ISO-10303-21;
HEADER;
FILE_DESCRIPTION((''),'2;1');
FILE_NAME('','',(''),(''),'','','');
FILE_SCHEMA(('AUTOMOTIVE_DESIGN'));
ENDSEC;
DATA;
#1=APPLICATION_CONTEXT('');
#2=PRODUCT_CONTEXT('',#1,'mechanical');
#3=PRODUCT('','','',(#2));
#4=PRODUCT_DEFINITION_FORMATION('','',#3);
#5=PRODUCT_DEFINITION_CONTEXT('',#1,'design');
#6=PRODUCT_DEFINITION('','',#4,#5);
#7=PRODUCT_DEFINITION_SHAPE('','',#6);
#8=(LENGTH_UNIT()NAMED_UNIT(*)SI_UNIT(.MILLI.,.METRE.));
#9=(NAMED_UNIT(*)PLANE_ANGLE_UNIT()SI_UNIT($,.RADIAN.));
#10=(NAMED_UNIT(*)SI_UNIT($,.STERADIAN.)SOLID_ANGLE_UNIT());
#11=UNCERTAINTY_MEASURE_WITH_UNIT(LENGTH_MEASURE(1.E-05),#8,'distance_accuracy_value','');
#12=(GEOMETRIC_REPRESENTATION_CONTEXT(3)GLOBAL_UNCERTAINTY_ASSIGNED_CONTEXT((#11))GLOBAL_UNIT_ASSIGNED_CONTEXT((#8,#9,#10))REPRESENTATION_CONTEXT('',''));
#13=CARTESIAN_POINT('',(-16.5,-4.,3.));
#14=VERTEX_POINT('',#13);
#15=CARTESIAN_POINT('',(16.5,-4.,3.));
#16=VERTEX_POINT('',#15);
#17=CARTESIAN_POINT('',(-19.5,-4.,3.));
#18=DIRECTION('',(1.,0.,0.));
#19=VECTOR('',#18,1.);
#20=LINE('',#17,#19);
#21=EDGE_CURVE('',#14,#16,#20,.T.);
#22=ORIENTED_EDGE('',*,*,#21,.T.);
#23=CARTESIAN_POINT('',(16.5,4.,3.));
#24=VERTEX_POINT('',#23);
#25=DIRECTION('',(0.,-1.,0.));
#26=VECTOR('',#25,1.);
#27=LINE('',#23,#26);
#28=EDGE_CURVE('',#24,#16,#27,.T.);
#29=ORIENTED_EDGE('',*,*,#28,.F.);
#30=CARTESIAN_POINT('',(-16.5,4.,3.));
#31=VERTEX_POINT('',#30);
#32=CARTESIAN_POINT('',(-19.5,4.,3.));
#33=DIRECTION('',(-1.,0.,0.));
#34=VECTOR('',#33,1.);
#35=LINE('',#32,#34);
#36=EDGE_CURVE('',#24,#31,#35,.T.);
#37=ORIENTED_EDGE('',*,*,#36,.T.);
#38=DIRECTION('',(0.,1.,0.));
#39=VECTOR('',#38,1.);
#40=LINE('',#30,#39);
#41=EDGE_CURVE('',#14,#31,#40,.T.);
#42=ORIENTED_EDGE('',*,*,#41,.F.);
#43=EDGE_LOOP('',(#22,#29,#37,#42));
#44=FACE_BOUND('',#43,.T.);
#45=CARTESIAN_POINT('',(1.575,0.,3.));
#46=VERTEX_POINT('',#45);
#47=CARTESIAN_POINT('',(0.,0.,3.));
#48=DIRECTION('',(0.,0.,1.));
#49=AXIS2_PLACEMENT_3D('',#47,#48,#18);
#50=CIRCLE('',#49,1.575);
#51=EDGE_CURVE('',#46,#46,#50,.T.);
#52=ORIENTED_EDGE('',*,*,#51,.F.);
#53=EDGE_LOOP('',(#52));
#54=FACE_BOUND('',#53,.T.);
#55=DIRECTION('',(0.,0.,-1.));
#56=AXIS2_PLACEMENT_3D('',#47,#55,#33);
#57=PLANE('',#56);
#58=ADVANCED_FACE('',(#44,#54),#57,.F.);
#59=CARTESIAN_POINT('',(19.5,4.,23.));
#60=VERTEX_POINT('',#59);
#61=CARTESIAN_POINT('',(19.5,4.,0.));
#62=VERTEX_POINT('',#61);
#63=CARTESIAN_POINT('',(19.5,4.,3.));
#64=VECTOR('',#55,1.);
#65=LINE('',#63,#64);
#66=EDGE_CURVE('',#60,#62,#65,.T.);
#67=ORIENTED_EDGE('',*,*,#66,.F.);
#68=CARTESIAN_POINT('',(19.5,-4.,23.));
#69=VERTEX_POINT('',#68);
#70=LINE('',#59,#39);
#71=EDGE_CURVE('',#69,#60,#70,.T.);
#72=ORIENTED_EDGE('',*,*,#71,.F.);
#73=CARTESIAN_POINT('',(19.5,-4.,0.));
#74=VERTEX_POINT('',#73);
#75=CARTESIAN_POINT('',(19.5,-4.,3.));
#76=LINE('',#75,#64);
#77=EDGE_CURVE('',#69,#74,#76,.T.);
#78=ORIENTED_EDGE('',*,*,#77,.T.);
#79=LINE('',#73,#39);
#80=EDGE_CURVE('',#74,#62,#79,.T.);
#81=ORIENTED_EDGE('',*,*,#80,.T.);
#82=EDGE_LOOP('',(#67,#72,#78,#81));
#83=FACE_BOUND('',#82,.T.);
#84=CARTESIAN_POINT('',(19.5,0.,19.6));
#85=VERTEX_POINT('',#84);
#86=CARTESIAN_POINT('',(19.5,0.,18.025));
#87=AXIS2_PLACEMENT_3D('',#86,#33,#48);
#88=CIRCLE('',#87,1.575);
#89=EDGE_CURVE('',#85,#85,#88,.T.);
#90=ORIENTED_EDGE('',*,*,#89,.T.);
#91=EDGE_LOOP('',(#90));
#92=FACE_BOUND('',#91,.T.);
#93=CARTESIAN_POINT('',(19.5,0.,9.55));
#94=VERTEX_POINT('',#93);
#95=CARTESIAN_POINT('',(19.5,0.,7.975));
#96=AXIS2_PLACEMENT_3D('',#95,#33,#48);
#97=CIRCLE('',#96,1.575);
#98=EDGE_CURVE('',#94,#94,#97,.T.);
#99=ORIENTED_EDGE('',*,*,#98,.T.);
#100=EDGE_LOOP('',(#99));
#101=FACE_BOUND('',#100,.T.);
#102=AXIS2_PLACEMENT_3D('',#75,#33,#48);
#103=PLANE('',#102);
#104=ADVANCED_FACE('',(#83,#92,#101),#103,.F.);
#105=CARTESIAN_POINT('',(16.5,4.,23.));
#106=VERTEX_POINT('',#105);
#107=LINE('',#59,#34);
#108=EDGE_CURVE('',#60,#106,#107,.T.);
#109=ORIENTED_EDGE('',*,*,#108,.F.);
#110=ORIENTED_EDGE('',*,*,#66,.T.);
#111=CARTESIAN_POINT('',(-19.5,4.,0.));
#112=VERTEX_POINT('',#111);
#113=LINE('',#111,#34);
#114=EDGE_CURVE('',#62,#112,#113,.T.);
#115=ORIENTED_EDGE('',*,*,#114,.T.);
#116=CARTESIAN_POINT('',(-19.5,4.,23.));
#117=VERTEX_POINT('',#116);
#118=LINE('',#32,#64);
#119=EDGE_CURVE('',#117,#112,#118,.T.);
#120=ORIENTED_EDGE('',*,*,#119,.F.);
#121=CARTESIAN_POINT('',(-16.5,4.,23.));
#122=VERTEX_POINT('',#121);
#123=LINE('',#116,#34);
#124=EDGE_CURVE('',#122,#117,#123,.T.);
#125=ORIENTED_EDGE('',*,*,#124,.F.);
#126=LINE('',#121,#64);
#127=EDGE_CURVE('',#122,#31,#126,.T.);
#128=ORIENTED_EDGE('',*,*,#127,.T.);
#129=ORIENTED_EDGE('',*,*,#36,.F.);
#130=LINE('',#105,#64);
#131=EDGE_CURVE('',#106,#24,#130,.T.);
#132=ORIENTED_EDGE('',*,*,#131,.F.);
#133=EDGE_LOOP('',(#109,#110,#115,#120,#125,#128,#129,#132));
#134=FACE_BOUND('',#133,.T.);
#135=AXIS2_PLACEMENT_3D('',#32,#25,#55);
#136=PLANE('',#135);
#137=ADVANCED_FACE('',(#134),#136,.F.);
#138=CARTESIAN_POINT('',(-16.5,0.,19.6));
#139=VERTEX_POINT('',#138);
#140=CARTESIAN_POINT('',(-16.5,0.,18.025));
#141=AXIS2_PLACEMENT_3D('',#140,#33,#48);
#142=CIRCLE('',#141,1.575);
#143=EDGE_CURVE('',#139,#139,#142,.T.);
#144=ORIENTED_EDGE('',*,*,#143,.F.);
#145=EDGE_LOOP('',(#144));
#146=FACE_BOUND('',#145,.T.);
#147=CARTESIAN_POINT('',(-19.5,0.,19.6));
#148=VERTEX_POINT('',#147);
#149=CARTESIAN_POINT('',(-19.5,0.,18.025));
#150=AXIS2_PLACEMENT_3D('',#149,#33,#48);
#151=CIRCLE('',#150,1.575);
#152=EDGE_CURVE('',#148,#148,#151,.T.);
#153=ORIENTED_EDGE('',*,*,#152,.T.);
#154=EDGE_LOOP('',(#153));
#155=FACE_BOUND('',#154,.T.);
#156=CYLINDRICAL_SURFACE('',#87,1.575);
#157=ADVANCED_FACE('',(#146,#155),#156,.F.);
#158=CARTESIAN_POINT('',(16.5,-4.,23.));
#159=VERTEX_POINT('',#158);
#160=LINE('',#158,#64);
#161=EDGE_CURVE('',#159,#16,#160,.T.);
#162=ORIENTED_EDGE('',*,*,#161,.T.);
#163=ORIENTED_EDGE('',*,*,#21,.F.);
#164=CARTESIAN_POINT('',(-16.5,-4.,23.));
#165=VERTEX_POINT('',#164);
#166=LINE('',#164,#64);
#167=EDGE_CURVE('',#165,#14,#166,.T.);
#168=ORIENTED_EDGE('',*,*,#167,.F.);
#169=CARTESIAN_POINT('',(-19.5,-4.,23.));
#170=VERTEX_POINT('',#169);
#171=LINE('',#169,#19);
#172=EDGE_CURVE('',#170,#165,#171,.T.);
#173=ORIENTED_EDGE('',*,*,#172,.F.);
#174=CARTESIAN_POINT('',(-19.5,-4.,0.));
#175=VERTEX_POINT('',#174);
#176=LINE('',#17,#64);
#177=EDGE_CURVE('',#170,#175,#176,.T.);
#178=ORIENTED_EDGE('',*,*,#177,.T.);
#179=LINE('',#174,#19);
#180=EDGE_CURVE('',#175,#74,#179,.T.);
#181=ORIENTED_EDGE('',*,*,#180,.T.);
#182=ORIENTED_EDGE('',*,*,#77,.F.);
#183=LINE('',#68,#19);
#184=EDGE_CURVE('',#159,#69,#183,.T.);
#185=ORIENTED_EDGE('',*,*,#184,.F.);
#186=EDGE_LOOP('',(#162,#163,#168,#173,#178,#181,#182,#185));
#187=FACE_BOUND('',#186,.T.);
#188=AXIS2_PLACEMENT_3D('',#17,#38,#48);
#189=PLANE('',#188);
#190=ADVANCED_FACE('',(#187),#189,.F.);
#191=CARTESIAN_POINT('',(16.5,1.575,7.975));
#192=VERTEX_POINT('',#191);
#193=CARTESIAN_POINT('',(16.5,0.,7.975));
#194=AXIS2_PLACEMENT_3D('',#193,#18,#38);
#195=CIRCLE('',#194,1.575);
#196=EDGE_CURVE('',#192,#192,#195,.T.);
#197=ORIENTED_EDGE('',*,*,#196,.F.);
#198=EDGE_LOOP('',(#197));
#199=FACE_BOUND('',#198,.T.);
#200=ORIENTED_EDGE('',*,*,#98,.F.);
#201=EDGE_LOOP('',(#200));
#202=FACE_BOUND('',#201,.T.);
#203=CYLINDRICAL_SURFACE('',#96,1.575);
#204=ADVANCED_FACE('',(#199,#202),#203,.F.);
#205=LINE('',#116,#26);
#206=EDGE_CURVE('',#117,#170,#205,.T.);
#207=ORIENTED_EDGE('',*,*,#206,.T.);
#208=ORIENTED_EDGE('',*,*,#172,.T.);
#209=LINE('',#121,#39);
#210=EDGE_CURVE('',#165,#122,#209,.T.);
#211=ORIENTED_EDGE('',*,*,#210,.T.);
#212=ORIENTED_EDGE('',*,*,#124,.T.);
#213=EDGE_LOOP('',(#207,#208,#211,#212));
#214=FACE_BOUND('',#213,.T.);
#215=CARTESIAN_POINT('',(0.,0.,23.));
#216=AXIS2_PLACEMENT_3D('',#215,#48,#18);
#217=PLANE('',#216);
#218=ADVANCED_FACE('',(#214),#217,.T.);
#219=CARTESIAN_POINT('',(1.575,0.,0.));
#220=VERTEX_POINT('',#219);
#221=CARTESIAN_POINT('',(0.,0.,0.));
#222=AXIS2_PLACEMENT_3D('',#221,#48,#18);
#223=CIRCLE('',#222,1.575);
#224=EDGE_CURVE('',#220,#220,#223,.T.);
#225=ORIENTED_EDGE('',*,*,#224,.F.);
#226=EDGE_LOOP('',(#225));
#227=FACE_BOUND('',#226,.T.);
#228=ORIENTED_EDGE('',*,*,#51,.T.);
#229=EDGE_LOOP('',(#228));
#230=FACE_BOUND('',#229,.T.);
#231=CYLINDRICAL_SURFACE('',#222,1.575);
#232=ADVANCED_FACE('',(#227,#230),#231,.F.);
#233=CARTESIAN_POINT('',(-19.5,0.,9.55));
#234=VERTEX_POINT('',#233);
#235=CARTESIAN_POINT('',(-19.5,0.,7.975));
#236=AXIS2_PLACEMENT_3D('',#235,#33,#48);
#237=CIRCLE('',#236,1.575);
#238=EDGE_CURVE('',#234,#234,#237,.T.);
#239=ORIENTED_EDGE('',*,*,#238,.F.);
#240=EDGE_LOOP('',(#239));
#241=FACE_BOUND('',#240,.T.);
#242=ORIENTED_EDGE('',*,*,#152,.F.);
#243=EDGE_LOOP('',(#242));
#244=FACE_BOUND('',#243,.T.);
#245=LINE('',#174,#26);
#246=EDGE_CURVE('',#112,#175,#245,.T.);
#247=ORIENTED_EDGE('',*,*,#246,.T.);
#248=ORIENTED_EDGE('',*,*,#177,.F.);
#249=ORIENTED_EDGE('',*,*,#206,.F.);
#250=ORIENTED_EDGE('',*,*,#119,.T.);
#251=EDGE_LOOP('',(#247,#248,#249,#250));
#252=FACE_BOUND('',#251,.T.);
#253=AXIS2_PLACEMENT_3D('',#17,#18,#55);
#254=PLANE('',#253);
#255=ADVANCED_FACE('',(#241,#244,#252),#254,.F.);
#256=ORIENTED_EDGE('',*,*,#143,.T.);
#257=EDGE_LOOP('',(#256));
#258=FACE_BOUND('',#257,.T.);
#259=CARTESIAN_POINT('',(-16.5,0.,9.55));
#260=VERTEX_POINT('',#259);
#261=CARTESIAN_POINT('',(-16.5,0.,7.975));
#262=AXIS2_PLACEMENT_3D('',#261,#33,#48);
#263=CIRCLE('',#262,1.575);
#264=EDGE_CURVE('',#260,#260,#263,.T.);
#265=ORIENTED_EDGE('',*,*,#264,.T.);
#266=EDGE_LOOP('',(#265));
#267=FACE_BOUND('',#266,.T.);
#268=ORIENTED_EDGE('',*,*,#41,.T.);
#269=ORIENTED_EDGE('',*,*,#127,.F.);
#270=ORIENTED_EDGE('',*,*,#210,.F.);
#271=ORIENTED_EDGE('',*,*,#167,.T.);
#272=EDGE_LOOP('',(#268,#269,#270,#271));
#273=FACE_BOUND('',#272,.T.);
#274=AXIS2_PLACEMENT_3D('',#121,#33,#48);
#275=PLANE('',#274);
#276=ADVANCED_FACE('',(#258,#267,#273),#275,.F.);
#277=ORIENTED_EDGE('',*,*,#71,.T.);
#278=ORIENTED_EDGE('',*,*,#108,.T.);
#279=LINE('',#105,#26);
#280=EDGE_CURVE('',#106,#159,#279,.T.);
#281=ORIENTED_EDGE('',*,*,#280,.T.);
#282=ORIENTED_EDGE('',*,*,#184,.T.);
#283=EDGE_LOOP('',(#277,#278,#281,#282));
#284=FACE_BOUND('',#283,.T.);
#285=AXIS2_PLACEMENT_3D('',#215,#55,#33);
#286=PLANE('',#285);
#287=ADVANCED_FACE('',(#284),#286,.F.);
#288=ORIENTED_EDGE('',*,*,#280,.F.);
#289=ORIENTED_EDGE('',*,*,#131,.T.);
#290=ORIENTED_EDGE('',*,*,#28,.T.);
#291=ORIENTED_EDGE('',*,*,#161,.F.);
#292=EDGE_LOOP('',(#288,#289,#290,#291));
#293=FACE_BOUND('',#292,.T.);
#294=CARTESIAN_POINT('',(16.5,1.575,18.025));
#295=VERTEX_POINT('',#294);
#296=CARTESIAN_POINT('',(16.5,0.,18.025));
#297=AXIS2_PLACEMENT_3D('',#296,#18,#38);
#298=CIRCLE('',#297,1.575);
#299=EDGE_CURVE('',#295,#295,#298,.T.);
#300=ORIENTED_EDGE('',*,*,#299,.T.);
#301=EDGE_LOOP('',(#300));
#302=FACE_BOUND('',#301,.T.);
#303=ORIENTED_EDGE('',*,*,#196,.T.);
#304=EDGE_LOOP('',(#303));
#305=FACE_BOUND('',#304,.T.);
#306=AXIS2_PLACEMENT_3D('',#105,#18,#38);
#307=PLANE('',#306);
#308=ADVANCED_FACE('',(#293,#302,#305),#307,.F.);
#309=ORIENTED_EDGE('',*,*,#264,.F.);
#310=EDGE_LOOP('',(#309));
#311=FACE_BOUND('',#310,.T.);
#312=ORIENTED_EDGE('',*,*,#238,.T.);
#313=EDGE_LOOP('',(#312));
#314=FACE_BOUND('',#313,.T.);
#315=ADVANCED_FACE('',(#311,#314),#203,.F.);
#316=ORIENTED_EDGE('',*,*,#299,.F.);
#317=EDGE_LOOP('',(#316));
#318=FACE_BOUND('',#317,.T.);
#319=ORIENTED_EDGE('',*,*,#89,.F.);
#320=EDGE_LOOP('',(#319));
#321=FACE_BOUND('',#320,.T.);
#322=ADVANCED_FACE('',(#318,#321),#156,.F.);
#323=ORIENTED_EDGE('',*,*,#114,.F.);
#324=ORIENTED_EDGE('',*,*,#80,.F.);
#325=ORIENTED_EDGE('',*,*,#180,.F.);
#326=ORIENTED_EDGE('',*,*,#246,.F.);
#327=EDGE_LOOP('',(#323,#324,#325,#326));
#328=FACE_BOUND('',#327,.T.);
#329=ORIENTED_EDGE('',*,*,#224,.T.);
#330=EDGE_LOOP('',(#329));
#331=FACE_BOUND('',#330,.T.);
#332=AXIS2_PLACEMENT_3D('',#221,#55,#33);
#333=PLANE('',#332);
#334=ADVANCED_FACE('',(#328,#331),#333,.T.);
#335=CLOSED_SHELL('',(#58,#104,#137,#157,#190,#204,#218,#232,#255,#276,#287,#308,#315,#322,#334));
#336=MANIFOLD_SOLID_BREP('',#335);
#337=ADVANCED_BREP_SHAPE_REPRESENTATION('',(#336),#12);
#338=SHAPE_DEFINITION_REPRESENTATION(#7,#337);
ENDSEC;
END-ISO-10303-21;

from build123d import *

# Parameters (mm, degrees)
SKETCH1_W           = 39
SKETCH1_H           = 8
BOSS_EXTRUDE1_DEPTH = 3
SKETCH2_W           = 3
SKETCH2_H           = 8
BOSS_EXTRUDE2_DEPTH = 20
SKETCH3_R           = 1.575
CUT_EXTRUDE1_DEPTH  = 40
SKETCH4_R           = 1.575
CUT_EXTRUDE2_DEPTH  = 3


with BuildPart() as part:
    # Sketch1 → Boss-Extrude1 (new body)
    with BuildSketch(Plane.XY):
        Rectangle(SKETCH1_W, SKETCH1_H)
    extrude(amount=BOSS_EXTRUDE1_DEPTH)

    # Sketch2 → Boss-Extrude2 (add)
    with BuildSketch(Plane.XY.offset(3)):
        with Locations((-18, 0)):
            Rectangle(SKETCH2_W, SKETCH2_H)
        with Locations((18, 0)):
            Rectangle(SKETCH2_W, SKETCH2_H)
    extrude(amount=BOSS_EXTRUDE2_DEPTH)

    # Sketch3 → Cut-Extrude1 (cut, through all)
    with BuildSketch(Plane.ZY.offset(19.5)):
        with Locations((18.025, 0)):
            Circle(SKETCH3_R)
        with Locations((7.975, 0)):
            Circle(SKETCH3_R)
    extrude(amount=-CUT_EXTRUDE1_DEPTH, mode=Mode.SUBTRACT)

    # Sketch4 → Cut-Extrude2 (cut)
    with BuildSketch(Plane.XY.offset(3)):
        Circle(SKETCH4_R)
    extrude(amount=-CUT_EXTRUDE2_DEPTH, mode=Mode.SUBTRACT)


solid = part.part
